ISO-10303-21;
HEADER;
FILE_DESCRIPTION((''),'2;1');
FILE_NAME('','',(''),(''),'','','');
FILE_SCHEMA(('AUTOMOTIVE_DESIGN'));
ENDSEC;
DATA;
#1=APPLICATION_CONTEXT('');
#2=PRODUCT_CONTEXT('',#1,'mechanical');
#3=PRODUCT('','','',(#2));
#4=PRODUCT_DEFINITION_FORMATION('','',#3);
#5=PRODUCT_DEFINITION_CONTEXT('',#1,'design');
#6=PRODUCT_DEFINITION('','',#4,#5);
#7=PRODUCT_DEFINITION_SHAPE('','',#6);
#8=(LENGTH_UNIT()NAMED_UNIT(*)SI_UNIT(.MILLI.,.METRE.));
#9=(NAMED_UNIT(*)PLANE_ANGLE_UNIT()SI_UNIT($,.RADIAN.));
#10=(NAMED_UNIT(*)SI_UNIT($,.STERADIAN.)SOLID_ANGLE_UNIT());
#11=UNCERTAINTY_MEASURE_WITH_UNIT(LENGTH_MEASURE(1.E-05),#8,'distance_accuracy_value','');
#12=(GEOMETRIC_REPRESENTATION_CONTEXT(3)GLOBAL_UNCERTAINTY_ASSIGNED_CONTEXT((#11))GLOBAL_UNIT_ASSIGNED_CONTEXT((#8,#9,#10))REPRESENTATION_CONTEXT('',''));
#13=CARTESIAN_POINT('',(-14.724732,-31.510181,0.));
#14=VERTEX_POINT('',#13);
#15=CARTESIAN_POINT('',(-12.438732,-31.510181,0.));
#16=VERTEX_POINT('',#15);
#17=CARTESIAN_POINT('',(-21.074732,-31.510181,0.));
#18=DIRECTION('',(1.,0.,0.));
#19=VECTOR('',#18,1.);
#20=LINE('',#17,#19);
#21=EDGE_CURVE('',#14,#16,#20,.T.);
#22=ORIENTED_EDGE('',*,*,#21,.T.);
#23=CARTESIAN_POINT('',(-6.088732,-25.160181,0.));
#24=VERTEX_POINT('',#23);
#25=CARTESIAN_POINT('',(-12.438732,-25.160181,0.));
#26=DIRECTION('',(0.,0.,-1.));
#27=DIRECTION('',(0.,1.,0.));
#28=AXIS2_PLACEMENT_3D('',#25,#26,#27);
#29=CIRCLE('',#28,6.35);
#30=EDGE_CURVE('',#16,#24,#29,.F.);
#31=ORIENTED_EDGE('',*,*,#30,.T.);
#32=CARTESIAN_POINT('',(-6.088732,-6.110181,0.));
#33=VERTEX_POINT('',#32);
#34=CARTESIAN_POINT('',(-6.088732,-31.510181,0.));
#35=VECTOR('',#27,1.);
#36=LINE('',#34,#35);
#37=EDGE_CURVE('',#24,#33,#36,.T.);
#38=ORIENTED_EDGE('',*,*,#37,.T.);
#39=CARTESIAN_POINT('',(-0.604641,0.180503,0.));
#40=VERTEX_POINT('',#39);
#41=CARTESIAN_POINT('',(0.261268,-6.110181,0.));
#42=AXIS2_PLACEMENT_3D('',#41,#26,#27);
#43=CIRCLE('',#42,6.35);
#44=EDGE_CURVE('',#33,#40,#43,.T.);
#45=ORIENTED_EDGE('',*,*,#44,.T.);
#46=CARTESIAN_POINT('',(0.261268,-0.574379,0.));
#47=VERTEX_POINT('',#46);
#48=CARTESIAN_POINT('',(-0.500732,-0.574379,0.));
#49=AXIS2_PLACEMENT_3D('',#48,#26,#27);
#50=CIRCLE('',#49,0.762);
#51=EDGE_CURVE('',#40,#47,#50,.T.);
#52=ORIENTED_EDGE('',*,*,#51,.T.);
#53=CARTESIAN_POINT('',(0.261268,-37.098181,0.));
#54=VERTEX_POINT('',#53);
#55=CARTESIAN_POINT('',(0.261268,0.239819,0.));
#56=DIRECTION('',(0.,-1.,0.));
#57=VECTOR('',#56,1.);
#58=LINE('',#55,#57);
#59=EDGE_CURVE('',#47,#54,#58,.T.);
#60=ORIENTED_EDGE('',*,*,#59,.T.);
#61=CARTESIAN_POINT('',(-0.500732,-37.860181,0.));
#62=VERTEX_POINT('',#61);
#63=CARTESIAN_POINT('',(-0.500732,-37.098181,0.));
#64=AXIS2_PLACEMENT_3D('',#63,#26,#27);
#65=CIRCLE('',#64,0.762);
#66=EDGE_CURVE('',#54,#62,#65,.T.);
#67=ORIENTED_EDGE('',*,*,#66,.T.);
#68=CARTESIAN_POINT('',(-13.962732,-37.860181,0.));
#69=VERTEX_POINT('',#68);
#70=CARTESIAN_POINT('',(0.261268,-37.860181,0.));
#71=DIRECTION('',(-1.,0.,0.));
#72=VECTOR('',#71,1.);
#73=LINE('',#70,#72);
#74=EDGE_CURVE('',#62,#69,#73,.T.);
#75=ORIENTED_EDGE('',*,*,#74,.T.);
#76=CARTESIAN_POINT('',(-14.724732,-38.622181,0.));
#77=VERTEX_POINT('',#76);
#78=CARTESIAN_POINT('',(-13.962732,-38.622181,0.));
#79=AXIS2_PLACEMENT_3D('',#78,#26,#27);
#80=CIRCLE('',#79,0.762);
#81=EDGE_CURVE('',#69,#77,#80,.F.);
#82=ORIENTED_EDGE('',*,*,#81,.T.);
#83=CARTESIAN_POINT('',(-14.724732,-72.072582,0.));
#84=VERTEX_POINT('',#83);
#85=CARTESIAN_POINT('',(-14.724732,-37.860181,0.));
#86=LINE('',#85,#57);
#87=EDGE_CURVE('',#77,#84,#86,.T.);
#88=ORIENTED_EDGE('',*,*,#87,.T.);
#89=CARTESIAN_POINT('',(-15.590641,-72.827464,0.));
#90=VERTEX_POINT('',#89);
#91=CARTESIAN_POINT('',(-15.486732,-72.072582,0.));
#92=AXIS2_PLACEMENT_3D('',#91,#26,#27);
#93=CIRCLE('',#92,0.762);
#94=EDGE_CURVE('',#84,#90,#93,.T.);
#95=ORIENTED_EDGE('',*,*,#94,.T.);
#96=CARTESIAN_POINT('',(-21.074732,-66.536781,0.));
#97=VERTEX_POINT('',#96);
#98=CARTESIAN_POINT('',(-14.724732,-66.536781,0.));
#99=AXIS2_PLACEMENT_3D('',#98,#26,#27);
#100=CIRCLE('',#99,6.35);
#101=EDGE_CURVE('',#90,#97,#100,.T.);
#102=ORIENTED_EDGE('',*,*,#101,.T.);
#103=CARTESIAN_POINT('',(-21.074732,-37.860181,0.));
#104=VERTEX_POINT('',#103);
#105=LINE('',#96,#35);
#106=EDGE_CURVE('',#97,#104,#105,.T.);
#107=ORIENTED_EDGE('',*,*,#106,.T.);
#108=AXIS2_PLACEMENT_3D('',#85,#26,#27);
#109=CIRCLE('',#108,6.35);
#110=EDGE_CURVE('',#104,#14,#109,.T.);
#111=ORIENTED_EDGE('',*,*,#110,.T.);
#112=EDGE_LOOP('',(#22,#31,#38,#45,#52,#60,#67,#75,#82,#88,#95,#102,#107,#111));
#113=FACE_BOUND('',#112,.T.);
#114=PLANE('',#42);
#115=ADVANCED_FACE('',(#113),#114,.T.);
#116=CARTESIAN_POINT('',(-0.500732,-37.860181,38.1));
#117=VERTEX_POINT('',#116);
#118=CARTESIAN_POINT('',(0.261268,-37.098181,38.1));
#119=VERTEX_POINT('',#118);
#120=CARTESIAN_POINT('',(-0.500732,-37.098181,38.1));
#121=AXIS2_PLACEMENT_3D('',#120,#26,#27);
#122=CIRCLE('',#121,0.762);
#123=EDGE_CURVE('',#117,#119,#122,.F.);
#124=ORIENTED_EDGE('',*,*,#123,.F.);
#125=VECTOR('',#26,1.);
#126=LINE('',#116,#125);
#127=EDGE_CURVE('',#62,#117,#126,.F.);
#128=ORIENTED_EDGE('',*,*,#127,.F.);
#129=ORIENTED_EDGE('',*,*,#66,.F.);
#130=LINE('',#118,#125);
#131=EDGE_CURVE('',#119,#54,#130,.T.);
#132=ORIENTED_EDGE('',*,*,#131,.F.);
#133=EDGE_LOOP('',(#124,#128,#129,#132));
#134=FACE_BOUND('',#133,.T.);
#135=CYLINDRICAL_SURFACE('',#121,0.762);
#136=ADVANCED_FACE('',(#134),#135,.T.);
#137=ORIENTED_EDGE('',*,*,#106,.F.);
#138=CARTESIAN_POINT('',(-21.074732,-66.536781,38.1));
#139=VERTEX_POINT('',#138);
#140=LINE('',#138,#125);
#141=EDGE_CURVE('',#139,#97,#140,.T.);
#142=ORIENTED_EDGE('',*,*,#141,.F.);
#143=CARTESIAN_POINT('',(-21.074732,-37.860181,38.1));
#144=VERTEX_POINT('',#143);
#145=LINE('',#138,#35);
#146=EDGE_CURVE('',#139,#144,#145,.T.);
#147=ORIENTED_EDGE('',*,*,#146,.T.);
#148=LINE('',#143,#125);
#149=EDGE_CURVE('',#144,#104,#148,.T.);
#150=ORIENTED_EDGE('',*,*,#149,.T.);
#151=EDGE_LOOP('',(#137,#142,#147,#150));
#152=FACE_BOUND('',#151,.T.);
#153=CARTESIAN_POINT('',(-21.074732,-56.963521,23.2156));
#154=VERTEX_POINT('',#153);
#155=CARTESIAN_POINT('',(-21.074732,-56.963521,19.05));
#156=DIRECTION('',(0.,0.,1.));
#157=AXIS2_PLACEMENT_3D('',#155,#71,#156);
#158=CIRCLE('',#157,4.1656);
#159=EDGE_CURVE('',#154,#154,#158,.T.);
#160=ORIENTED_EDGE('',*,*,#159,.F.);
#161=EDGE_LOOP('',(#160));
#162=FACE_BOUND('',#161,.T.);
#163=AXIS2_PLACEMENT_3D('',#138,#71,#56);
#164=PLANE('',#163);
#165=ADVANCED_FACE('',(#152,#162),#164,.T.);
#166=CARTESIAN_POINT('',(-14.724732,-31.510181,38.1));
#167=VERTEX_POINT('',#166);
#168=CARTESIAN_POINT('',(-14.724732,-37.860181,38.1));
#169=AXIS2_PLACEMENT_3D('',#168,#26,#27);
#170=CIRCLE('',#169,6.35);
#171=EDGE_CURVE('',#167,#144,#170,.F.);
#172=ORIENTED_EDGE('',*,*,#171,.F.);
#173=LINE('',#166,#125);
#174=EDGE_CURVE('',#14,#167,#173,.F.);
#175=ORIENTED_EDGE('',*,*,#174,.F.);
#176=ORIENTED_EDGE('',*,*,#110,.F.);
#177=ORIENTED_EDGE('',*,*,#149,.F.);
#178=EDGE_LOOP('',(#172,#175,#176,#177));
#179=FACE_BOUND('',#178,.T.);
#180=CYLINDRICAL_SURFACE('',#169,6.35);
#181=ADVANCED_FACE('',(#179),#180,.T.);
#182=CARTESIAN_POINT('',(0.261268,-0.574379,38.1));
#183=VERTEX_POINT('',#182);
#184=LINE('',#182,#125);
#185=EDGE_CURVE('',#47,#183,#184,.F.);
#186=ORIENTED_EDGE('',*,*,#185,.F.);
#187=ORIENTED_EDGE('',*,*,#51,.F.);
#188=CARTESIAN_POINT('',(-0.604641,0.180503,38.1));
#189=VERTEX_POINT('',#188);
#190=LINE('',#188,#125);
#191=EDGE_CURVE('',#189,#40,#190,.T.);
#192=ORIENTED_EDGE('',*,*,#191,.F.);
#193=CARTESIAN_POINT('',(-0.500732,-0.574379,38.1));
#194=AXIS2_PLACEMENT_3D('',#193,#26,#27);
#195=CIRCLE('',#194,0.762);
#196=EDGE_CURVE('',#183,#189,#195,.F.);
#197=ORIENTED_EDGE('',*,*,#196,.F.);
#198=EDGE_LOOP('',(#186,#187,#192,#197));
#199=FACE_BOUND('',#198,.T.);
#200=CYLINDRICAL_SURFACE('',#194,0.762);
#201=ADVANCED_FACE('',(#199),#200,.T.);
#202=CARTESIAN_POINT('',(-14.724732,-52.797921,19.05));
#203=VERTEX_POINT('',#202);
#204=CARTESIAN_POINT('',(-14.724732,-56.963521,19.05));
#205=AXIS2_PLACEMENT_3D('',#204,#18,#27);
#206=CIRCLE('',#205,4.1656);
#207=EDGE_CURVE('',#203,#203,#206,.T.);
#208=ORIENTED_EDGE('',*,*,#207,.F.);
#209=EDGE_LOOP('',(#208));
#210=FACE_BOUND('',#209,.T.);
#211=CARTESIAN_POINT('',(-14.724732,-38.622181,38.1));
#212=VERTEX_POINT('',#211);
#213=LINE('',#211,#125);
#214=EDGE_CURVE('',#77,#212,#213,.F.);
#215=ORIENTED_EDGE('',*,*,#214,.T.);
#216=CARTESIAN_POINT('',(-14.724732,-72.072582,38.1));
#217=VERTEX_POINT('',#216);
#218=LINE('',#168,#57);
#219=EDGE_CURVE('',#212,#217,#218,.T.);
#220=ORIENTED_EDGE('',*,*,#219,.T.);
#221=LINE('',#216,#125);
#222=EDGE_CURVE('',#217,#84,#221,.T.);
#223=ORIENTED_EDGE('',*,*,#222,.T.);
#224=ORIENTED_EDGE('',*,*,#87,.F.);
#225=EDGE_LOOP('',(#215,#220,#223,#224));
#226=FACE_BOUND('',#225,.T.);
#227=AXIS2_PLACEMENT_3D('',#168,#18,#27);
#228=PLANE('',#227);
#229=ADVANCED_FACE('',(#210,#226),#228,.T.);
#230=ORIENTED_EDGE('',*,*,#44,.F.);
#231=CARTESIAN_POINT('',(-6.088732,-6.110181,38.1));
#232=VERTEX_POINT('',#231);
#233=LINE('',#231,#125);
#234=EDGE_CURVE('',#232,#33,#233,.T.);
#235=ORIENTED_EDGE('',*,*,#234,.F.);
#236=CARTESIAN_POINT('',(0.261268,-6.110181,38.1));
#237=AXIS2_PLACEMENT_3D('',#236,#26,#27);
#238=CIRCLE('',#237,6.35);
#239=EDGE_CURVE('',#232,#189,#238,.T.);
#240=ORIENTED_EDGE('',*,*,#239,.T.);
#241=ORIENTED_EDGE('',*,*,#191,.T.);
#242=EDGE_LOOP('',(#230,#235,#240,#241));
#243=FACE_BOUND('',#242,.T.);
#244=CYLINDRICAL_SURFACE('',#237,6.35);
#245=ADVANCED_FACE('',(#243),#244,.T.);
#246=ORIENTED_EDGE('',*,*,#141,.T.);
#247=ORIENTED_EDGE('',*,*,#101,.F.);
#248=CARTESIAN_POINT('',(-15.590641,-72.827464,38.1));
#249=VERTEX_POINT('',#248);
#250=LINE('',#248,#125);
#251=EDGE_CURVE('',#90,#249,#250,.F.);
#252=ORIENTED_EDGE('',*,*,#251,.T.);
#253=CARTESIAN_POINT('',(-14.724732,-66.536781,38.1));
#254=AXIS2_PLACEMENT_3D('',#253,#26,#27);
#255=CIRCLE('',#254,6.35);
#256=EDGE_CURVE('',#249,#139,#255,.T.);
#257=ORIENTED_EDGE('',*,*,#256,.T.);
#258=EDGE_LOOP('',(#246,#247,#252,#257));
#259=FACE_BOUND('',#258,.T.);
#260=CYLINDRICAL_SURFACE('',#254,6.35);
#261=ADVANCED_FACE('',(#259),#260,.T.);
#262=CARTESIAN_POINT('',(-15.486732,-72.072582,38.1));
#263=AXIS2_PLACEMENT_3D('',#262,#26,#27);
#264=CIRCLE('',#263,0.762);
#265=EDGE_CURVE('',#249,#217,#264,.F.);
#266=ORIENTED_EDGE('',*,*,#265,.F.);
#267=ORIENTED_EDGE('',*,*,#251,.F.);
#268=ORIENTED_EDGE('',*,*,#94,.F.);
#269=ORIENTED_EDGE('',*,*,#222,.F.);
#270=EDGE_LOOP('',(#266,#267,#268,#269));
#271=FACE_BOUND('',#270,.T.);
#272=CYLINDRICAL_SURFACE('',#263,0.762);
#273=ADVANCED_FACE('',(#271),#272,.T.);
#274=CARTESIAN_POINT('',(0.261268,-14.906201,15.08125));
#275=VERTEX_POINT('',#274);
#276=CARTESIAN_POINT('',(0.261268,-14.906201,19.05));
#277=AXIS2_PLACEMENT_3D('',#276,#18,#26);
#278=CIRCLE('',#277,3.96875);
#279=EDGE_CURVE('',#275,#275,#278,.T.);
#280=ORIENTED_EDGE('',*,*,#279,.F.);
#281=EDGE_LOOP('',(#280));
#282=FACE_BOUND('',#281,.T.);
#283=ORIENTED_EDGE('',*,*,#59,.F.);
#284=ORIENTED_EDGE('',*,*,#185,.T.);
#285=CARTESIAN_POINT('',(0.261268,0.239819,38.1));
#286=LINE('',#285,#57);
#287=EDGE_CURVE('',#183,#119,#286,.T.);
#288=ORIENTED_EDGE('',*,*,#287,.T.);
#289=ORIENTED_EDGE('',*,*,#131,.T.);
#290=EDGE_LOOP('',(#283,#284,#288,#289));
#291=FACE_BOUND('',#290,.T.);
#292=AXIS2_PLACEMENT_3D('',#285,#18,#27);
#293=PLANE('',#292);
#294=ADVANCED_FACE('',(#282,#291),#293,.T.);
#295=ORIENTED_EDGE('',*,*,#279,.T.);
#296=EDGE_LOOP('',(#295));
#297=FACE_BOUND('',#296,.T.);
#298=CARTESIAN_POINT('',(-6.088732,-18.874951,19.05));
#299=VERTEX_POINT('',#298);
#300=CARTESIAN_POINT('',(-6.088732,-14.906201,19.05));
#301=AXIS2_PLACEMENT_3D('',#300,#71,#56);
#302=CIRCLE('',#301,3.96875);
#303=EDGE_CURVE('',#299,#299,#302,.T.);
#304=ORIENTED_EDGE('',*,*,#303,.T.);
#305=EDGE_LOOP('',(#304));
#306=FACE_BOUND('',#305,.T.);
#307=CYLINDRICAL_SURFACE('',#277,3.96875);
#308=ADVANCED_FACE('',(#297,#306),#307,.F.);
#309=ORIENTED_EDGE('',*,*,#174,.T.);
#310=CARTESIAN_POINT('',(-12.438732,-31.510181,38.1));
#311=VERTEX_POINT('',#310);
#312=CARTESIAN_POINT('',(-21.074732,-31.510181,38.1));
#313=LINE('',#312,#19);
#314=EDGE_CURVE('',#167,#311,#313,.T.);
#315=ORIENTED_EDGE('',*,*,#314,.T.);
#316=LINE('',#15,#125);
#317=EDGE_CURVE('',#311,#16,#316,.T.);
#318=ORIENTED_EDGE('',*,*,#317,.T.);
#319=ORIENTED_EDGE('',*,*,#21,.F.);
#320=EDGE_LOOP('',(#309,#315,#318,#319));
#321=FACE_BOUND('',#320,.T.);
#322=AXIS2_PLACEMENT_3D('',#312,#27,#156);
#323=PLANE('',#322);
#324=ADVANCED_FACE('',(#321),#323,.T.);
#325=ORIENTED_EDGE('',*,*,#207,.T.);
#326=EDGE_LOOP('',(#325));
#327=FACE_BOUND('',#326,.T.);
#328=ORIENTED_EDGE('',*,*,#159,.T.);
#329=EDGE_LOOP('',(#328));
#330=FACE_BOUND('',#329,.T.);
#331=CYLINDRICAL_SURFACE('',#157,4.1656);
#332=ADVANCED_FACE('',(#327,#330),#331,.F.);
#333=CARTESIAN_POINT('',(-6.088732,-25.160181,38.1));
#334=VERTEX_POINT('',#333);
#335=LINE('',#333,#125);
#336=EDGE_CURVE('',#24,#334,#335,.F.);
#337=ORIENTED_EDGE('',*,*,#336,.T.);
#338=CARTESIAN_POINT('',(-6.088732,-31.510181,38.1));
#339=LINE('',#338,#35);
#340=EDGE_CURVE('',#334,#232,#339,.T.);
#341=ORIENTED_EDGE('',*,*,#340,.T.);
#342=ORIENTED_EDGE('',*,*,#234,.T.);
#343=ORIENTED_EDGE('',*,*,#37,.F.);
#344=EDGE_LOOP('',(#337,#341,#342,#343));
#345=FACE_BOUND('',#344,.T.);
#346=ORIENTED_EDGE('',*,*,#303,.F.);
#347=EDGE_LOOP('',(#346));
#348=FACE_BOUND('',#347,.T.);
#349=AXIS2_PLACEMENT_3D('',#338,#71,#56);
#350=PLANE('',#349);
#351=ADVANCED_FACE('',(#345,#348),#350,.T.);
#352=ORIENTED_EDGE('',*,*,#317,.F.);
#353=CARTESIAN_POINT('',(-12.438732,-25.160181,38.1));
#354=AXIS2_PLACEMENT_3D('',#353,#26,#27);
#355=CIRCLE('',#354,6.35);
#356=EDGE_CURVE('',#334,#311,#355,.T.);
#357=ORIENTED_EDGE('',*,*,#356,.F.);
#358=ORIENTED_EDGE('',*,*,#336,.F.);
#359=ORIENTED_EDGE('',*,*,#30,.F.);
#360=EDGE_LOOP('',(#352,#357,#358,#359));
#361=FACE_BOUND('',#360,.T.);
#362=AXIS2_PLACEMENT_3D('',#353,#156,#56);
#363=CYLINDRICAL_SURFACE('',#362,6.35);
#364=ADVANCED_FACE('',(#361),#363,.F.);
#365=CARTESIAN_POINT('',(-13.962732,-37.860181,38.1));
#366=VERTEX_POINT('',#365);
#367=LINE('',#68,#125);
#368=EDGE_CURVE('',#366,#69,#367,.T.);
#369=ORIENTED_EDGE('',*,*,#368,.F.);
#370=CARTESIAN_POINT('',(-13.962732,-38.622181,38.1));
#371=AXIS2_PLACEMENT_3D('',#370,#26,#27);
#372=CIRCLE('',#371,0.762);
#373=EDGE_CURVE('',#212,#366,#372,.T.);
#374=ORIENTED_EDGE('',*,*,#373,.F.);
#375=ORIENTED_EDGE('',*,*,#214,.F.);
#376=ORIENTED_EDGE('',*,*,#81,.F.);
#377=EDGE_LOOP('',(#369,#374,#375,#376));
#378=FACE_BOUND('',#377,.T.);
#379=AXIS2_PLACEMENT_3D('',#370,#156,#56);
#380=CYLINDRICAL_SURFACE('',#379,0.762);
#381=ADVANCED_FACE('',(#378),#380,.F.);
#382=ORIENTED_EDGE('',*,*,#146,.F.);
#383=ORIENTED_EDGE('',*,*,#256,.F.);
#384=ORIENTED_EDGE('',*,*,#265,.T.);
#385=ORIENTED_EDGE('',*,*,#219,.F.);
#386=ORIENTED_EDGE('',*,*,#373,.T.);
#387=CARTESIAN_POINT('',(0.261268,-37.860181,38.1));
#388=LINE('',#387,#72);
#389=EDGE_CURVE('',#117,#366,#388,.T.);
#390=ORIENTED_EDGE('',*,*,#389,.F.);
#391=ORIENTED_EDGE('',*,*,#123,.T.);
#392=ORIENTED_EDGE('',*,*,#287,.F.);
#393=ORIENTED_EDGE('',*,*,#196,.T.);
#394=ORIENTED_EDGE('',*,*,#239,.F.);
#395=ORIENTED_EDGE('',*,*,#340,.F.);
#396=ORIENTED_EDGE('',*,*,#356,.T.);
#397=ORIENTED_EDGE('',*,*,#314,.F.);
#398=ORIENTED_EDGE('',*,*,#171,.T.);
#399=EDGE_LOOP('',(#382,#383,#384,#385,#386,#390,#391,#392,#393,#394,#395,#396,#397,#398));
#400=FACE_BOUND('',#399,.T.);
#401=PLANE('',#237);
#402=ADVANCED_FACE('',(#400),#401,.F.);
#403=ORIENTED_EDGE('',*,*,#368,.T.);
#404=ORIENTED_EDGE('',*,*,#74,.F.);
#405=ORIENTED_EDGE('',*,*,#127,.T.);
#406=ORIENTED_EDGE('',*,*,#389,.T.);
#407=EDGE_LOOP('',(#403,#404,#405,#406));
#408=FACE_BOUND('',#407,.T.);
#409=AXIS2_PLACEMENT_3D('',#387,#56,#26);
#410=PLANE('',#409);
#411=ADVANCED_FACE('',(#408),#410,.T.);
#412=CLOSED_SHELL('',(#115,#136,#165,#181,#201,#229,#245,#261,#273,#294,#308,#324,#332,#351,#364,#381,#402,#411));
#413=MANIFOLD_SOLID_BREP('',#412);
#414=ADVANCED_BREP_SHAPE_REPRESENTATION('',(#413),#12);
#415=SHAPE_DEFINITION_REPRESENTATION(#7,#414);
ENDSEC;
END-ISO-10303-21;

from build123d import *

# Parameters (mm, degrees)
BOSS_EXTRUDE1_DEPTH      = 38.1
M7_CLEARANCE_HOLE1_D     = 7.9375
M7_CLEARANCE_HOLE1_DEPTH = 21.336
HOLE1_D                  = 8.3312
HOLE1_DEPTH              = 21.336
FILLET1_R                = 0.762
FILLET2_R                = 6.35


with BuildPart() as part:
    # Sketch1 → Boss-Extrude1 (new body)
    with BuildSketch(Plane(origin=(0, 0, 0), x_dir=(-1, 0, 0), z_dir=(0, 0, -1))):
        with BuildLine():
            Line((21.0747321, -31.51018077), (6.0887321, -31.51018077))
            Line((6.0887321, -31.51018077), (6.0887321, -6.11018077))
            ThreePointArc((6.0887321, -6.11018077), (4.228860161, -1.620052709), (-0.2612679, 0.23981923))
            Line((-0.2612679, 0.23981923), (-0.2612679, -37.86018077))
            Line((-0.2612679, -37.86018077), (14.7247321, -37.86018077))
            Line((14.7247321, -37.86018077), (14.7247321, -72.88678077))
            ThreePointArc((14.7247321, -72.88678077), (19.214860161, -71.02690883), (21.0747321, -66.53678077))
            Line((21.0747321, -66.53678077), (21.0747321, -31.51018077))
        make_face()
    extrude(amount=-BOSS_EXTRUDE1_DEPTH)

    # M7 Clearance Hole1
    with Locations(Plane(origin=(0.2612679, 0, 0), x_dir=(0, 0, -1), z_dir=(1, 0, 0))):
        with Locations((-19.05, -14.90620077)):
            Hole(M7_CLEARANCE_HOLE1_D / 2, depth=M7_CLEARANCE_HOLE1_DEPTH)

    # Hole1
    with Locations(Plane.ZY.offset(21.0747321)):
        with Locations((19.05, -56.96352077)):
            Hole(HOLE1_D / 2, depth=HOLE1_DEPTH)

    # Fillet1
    fillet1_edges = [part.edges().sort_by_distance(p)[0] for p in [
        (-14.7247321, -72.88678077, 19.05),
        (-14.7247321, -37.86018077, 19.05),
        (0.2612679, -37.86018077, 19.05),
        (0.2612679, 0.23981923, 19.05),
    ]]
    fillet(fillet1_edges, radius=FILLET1_R)

    # Fillet2
    fillet2_edges = [part.edges().sort_by_distance(p)[0] for p in [
        (-6.0887321, -31.51018077, 19.05),
        (-21.0747321, -31.51018077, 19.05),
    ]]
    fillet(fillet2_edges, radius=FILLET2_R)


solid = part.part
